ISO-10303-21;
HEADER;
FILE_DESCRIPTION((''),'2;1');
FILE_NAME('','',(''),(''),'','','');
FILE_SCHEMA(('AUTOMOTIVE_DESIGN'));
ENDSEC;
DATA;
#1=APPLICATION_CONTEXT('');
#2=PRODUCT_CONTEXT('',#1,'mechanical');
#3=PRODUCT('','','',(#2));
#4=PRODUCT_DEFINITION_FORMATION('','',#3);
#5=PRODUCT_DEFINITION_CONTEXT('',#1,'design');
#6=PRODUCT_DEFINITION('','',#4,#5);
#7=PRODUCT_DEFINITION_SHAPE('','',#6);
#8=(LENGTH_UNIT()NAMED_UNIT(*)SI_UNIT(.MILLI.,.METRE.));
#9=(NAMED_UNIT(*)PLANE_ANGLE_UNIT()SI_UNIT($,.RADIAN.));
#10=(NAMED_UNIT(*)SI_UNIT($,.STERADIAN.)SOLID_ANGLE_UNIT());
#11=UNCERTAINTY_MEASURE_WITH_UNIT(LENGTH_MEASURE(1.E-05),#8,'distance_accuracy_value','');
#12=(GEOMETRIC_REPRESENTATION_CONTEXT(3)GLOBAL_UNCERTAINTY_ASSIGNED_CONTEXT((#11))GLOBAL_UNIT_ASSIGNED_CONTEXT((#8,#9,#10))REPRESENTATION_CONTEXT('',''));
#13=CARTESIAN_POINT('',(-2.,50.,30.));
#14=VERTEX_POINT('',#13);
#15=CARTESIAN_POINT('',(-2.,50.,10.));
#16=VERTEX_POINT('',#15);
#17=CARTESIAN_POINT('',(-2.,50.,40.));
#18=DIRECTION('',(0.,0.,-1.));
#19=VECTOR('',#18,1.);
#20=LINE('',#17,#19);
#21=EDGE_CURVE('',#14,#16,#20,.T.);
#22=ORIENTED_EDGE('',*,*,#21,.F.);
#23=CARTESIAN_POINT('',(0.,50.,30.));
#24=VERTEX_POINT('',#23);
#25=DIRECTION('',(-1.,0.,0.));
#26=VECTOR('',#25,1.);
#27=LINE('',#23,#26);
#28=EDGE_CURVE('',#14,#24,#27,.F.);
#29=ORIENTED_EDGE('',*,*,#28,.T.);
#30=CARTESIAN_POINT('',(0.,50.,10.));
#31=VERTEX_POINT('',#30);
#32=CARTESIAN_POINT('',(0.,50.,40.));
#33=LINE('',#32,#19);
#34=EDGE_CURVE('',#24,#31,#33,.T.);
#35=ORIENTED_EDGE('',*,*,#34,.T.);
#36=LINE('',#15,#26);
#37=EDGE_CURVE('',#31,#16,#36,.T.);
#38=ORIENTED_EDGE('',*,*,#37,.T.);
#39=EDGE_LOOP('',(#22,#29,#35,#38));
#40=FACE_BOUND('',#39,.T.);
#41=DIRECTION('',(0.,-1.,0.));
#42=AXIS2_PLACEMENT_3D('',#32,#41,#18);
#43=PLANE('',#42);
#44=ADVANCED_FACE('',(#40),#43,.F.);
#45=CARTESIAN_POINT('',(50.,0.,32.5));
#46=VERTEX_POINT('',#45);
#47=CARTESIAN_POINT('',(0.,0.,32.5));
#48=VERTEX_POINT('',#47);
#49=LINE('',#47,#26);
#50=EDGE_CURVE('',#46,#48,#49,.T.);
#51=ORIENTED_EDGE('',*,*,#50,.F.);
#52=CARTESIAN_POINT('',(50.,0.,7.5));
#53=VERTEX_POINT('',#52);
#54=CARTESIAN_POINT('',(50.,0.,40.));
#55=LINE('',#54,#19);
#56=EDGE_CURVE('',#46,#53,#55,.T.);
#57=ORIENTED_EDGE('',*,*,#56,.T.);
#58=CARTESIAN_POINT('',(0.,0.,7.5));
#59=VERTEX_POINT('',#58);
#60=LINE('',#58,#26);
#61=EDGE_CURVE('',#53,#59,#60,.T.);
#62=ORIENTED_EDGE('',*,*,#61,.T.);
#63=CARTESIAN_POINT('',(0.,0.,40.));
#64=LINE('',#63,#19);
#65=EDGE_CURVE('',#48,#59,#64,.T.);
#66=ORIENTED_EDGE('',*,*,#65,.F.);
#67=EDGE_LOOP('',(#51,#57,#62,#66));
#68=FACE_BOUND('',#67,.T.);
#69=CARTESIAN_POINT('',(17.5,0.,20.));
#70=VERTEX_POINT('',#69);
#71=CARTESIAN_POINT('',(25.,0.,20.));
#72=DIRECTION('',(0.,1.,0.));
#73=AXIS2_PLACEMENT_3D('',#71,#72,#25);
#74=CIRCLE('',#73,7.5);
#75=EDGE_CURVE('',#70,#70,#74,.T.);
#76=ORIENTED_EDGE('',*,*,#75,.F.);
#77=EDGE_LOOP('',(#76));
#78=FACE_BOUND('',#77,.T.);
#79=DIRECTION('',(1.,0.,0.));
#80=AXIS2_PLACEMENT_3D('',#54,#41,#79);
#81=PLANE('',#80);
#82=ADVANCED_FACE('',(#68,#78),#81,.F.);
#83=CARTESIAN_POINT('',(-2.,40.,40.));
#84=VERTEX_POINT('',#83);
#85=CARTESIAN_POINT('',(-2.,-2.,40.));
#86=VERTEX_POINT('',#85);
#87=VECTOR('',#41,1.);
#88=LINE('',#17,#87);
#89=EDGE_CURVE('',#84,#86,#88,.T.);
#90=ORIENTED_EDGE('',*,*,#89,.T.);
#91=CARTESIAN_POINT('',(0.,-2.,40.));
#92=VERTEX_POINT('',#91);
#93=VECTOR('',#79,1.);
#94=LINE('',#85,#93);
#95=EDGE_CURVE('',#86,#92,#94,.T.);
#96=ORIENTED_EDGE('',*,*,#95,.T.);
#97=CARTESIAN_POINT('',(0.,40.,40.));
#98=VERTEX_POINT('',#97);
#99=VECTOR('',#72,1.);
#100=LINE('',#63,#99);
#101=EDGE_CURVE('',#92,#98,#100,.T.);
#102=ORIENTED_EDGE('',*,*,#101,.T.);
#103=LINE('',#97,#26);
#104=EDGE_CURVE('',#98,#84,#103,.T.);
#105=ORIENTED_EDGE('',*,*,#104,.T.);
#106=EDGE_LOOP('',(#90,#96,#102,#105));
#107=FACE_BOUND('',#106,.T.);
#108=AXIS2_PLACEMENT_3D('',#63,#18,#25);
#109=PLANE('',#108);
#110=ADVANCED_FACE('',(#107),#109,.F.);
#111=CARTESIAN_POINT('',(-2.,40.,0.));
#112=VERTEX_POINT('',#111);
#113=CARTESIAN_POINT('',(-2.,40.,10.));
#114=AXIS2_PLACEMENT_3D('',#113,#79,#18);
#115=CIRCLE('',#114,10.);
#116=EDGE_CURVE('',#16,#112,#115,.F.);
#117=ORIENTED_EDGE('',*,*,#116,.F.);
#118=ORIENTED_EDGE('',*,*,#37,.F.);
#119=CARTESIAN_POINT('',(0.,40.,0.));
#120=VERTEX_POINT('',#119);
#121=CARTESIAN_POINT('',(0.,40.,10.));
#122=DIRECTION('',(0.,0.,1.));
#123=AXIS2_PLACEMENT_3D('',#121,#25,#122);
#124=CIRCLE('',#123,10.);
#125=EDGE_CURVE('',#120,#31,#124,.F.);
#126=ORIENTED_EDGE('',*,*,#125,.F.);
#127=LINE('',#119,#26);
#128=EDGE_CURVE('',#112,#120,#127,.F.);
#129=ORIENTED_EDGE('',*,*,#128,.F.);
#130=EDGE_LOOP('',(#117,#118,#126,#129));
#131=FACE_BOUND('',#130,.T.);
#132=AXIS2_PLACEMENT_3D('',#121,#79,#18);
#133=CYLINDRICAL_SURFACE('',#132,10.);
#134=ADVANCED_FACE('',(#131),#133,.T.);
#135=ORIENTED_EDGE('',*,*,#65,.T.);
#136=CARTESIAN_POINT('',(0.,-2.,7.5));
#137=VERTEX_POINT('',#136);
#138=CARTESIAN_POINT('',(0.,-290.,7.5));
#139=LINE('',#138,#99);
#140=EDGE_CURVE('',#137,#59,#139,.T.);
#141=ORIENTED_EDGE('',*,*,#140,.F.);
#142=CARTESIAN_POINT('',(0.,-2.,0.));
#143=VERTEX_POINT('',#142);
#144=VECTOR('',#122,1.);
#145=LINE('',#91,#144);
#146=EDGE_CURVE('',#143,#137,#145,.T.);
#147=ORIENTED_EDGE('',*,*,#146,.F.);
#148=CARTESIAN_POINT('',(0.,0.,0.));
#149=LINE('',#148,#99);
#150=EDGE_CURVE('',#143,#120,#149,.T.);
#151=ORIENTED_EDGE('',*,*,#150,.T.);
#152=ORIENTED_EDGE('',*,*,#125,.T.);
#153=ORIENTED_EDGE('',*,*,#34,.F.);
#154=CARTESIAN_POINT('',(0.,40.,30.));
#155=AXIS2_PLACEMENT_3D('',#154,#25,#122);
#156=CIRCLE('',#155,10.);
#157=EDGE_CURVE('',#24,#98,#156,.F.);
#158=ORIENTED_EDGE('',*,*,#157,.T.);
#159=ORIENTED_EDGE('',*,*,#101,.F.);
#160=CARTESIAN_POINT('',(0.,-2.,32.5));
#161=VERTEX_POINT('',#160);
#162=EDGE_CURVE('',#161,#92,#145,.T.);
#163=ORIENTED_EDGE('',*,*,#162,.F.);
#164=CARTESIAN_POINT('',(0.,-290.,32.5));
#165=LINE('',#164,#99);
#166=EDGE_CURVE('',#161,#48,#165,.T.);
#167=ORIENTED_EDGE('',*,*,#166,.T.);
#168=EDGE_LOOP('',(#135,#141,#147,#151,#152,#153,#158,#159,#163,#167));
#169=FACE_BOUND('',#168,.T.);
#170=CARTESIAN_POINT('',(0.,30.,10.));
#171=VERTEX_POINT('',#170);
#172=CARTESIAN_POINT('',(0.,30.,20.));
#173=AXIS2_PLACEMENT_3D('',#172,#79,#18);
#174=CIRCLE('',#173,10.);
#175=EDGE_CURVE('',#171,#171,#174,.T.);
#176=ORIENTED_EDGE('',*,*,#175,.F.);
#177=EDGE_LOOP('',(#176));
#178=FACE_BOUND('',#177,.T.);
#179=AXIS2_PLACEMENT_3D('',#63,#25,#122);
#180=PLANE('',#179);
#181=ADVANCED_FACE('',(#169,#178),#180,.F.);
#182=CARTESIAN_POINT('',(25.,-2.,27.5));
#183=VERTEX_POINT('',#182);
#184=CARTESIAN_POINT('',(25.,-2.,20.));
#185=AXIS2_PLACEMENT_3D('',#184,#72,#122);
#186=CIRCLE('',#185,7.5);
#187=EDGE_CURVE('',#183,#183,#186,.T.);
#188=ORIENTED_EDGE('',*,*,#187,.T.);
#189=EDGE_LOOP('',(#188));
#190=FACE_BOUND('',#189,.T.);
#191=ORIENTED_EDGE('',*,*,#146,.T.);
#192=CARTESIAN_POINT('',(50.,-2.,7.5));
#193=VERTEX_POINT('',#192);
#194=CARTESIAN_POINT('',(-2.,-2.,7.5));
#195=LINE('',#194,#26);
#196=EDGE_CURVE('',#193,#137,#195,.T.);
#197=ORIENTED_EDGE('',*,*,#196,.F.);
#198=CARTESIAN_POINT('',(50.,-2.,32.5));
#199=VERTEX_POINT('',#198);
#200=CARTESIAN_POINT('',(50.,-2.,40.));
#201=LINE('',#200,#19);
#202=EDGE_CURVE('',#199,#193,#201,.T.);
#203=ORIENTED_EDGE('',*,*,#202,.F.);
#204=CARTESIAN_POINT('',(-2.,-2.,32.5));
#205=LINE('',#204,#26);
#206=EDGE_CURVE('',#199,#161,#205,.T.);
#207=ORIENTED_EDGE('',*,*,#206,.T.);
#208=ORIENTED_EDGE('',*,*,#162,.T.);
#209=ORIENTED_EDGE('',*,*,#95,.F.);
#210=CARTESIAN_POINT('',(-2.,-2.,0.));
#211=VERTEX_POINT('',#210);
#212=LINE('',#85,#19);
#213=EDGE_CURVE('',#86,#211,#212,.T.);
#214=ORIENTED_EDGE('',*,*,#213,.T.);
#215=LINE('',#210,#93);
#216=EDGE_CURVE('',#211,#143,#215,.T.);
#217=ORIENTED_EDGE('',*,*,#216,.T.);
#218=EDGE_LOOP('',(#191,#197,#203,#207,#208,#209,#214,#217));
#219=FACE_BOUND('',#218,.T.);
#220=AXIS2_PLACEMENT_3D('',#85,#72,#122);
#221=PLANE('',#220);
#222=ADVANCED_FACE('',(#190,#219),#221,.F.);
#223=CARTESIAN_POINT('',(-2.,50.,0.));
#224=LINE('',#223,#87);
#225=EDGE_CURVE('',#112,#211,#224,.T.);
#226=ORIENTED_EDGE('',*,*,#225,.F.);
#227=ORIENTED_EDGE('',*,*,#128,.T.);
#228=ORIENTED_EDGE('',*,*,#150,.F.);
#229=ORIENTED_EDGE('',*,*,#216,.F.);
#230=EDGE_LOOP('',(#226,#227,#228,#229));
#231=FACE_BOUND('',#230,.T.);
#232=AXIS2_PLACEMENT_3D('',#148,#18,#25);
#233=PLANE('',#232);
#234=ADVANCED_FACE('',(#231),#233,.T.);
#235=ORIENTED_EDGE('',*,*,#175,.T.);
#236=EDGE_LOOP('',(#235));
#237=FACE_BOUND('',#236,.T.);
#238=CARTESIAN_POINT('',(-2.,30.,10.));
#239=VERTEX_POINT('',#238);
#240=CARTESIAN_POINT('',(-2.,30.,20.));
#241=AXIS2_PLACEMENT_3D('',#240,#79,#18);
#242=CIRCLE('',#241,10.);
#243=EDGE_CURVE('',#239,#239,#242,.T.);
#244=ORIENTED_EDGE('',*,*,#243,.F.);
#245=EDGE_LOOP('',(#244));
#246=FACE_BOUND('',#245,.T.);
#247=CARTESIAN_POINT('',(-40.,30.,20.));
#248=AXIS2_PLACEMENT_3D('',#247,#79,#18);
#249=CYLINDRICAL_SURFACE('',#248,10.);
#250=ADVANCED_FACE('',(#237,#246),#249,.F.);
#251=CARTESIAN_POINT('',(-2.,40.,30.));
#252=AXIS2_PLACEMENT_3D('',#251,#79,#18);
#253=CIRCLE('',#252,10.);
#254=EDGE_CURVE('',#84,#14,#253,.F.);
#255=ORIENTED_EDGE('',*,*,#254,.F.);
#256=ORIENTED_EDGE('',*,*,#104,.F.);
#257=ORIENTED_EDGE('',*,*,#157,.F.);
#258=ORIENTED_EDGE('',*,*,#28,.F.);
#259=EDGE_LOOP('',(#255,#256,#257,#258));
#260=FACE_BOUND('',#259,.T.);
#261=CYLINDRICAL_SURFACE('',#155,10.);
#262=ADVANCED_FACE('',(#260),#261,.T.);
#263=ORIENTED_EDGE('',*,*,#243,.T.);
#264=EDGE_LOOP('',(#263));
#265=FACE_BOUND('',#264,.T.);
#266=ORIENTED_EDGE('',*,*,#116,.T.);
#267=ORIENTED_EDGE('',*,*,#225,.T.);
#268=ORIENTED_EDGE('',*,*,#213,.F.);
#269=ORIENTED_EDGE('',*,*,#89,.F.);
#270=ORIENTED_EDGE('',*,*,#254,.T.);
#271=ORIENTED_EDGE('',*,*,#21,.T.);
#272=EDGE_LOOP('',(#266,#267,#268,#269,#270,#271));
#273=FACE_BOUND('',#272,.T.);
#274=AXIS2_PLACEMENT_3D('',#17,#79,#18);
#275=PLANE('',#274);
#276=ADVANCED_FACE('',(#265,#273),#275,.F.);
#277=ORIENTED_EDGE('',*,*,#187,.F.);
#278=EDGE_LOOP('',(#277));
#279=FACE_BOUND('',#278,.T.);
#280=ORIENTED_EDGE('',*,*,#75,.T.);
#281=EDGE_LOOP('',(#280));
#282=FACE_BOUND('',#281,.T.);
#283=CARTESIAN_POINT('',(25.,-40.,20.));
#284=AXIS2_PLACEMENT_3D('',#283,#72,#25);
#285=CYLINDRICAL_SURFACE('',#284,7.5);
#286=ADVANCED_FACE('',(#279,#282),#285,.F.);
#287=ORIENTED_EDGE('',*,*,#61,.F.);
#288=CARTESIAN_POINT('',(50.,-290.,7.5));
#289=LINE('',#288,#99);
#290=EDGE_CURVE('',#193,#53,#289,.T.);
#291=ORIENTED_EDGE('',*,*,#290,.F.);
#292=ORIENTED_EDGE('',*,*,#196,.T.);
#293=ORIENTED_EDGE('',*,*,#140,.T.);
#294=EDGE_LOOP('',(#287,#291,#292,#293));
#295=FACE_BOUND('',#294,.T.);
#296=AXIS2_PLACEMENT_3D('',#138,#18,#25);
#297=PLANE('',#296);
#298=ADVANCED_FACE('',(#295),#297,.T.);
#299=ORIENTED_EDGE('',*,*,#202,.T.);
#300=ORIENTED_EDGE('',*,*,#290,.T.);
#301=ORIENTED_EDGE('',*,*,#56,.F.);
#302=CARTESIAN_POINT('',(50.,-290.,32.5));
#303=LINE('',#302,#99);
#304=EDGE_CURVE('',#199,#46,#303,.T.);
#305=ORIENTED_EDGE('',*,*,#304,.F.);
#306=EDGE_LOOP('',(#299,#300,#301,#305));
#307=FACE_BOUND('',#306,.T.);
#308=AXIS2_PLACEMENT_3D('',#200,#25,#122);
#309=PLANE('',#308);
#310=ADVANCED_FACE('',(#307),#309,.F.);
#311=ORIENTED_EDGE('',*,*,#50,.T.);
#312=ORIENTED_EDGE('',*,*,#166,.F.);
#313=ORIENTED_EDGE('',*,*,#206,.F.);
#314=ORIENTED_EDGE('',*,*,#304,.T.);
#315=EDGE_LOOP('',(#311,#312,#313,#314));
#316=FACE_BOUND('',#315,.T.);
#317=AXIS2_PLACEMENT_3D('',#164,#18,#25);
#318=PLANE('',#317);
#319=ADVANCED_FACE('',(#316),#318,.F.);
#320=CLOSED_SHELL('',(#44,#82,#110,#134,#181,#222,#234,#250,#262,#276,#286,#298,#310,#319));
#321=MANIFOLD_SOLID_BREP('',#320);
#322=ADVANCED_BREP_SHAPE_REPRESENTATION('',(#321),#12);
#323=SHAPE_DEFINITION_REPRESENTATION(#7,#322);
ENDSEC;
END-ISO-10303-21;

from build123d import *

# Parameters (mm, degrees)
RESSALTO_EXTRUS_O1_DEPTH = 40
ESBO_O2_R                = 10
CORTE_EXTRUS_O1_DEPTH    = 40
ESBO_O3_R                = 7.5
CORTE_EXTRUS_O2_DEPTH    = 40
FILETE1_R                = 10
ESBO_O4_W                = 50
ESBO_O4_H                = 7.5
CORTE_EXTRUS_O3_DEPTH    = 290


with BuildPart() as part:
    # Esboço1 → Ressalto-extrusão1 (new body)
    with BuildSketch(Plane.XY):
        Polygon((0, 0), (0, 50), (-2, 50), (-2, -2), (50, -2), (50, 0), align=None)
    extrude(amount=RESSALTO_EXTRUS_O1_DEPTH)

    # Esboço2 → Corte-extrusão1 (cut)
    with BuildSketch(Plane(origin=(0, 0, 0), x_dir=(0, 0, -1), z_dir=(1, 0, 0))):
        with Locations((-20, 30)):
            Circle(ESBO_O2_R)
    extrude(amount=-CORTE_EXTRUS_O1_DEPTH, mode=Mode.SUBTRACT)

    # Esboço3 → Corte-extrusão2 (cut)
    with BuildSketch(Plane(origin=(0, 0, 0), x_dir=(1, 0, 0), z_dir=(0, 1, 0))):
        with Locations(Location((25, -20, 0), (0, 0, 180))):
            Circle(ESBO_O3_R)
    extrude(amount=-CORTE_EXTRUS_O2_DEPTH, mode=Mode.SUBTRACT)

    # Filete1
    filete1_edges = [part.edges().sort_by_distance(p)[0] for p in [
        (-1, 50, 40),
        (-1, 50, 0),
    ]]
    fillet(filete1_edges, radius=FILETE1_R)

    # Esboço4 → Corte-extrusão3 (cut)
    with BuildSketch(Plane(origin=(0, 0, 0), x_dir=(1, 0, 0), z_dir=(0, 1, 0))):
        with Locations((25, -36.25)):
            Rectangle(ESBO_O4_W, ESBO_O4_H)
        with Locations((25, -3.75)):
            Rectangle(ESBO_O4_W, ESBO_O4_H)
    extrude(amount=-CORTE_EXTRUS_O3_DEPTH, mode=Mode.SUBTRACT)


solid = part.part
